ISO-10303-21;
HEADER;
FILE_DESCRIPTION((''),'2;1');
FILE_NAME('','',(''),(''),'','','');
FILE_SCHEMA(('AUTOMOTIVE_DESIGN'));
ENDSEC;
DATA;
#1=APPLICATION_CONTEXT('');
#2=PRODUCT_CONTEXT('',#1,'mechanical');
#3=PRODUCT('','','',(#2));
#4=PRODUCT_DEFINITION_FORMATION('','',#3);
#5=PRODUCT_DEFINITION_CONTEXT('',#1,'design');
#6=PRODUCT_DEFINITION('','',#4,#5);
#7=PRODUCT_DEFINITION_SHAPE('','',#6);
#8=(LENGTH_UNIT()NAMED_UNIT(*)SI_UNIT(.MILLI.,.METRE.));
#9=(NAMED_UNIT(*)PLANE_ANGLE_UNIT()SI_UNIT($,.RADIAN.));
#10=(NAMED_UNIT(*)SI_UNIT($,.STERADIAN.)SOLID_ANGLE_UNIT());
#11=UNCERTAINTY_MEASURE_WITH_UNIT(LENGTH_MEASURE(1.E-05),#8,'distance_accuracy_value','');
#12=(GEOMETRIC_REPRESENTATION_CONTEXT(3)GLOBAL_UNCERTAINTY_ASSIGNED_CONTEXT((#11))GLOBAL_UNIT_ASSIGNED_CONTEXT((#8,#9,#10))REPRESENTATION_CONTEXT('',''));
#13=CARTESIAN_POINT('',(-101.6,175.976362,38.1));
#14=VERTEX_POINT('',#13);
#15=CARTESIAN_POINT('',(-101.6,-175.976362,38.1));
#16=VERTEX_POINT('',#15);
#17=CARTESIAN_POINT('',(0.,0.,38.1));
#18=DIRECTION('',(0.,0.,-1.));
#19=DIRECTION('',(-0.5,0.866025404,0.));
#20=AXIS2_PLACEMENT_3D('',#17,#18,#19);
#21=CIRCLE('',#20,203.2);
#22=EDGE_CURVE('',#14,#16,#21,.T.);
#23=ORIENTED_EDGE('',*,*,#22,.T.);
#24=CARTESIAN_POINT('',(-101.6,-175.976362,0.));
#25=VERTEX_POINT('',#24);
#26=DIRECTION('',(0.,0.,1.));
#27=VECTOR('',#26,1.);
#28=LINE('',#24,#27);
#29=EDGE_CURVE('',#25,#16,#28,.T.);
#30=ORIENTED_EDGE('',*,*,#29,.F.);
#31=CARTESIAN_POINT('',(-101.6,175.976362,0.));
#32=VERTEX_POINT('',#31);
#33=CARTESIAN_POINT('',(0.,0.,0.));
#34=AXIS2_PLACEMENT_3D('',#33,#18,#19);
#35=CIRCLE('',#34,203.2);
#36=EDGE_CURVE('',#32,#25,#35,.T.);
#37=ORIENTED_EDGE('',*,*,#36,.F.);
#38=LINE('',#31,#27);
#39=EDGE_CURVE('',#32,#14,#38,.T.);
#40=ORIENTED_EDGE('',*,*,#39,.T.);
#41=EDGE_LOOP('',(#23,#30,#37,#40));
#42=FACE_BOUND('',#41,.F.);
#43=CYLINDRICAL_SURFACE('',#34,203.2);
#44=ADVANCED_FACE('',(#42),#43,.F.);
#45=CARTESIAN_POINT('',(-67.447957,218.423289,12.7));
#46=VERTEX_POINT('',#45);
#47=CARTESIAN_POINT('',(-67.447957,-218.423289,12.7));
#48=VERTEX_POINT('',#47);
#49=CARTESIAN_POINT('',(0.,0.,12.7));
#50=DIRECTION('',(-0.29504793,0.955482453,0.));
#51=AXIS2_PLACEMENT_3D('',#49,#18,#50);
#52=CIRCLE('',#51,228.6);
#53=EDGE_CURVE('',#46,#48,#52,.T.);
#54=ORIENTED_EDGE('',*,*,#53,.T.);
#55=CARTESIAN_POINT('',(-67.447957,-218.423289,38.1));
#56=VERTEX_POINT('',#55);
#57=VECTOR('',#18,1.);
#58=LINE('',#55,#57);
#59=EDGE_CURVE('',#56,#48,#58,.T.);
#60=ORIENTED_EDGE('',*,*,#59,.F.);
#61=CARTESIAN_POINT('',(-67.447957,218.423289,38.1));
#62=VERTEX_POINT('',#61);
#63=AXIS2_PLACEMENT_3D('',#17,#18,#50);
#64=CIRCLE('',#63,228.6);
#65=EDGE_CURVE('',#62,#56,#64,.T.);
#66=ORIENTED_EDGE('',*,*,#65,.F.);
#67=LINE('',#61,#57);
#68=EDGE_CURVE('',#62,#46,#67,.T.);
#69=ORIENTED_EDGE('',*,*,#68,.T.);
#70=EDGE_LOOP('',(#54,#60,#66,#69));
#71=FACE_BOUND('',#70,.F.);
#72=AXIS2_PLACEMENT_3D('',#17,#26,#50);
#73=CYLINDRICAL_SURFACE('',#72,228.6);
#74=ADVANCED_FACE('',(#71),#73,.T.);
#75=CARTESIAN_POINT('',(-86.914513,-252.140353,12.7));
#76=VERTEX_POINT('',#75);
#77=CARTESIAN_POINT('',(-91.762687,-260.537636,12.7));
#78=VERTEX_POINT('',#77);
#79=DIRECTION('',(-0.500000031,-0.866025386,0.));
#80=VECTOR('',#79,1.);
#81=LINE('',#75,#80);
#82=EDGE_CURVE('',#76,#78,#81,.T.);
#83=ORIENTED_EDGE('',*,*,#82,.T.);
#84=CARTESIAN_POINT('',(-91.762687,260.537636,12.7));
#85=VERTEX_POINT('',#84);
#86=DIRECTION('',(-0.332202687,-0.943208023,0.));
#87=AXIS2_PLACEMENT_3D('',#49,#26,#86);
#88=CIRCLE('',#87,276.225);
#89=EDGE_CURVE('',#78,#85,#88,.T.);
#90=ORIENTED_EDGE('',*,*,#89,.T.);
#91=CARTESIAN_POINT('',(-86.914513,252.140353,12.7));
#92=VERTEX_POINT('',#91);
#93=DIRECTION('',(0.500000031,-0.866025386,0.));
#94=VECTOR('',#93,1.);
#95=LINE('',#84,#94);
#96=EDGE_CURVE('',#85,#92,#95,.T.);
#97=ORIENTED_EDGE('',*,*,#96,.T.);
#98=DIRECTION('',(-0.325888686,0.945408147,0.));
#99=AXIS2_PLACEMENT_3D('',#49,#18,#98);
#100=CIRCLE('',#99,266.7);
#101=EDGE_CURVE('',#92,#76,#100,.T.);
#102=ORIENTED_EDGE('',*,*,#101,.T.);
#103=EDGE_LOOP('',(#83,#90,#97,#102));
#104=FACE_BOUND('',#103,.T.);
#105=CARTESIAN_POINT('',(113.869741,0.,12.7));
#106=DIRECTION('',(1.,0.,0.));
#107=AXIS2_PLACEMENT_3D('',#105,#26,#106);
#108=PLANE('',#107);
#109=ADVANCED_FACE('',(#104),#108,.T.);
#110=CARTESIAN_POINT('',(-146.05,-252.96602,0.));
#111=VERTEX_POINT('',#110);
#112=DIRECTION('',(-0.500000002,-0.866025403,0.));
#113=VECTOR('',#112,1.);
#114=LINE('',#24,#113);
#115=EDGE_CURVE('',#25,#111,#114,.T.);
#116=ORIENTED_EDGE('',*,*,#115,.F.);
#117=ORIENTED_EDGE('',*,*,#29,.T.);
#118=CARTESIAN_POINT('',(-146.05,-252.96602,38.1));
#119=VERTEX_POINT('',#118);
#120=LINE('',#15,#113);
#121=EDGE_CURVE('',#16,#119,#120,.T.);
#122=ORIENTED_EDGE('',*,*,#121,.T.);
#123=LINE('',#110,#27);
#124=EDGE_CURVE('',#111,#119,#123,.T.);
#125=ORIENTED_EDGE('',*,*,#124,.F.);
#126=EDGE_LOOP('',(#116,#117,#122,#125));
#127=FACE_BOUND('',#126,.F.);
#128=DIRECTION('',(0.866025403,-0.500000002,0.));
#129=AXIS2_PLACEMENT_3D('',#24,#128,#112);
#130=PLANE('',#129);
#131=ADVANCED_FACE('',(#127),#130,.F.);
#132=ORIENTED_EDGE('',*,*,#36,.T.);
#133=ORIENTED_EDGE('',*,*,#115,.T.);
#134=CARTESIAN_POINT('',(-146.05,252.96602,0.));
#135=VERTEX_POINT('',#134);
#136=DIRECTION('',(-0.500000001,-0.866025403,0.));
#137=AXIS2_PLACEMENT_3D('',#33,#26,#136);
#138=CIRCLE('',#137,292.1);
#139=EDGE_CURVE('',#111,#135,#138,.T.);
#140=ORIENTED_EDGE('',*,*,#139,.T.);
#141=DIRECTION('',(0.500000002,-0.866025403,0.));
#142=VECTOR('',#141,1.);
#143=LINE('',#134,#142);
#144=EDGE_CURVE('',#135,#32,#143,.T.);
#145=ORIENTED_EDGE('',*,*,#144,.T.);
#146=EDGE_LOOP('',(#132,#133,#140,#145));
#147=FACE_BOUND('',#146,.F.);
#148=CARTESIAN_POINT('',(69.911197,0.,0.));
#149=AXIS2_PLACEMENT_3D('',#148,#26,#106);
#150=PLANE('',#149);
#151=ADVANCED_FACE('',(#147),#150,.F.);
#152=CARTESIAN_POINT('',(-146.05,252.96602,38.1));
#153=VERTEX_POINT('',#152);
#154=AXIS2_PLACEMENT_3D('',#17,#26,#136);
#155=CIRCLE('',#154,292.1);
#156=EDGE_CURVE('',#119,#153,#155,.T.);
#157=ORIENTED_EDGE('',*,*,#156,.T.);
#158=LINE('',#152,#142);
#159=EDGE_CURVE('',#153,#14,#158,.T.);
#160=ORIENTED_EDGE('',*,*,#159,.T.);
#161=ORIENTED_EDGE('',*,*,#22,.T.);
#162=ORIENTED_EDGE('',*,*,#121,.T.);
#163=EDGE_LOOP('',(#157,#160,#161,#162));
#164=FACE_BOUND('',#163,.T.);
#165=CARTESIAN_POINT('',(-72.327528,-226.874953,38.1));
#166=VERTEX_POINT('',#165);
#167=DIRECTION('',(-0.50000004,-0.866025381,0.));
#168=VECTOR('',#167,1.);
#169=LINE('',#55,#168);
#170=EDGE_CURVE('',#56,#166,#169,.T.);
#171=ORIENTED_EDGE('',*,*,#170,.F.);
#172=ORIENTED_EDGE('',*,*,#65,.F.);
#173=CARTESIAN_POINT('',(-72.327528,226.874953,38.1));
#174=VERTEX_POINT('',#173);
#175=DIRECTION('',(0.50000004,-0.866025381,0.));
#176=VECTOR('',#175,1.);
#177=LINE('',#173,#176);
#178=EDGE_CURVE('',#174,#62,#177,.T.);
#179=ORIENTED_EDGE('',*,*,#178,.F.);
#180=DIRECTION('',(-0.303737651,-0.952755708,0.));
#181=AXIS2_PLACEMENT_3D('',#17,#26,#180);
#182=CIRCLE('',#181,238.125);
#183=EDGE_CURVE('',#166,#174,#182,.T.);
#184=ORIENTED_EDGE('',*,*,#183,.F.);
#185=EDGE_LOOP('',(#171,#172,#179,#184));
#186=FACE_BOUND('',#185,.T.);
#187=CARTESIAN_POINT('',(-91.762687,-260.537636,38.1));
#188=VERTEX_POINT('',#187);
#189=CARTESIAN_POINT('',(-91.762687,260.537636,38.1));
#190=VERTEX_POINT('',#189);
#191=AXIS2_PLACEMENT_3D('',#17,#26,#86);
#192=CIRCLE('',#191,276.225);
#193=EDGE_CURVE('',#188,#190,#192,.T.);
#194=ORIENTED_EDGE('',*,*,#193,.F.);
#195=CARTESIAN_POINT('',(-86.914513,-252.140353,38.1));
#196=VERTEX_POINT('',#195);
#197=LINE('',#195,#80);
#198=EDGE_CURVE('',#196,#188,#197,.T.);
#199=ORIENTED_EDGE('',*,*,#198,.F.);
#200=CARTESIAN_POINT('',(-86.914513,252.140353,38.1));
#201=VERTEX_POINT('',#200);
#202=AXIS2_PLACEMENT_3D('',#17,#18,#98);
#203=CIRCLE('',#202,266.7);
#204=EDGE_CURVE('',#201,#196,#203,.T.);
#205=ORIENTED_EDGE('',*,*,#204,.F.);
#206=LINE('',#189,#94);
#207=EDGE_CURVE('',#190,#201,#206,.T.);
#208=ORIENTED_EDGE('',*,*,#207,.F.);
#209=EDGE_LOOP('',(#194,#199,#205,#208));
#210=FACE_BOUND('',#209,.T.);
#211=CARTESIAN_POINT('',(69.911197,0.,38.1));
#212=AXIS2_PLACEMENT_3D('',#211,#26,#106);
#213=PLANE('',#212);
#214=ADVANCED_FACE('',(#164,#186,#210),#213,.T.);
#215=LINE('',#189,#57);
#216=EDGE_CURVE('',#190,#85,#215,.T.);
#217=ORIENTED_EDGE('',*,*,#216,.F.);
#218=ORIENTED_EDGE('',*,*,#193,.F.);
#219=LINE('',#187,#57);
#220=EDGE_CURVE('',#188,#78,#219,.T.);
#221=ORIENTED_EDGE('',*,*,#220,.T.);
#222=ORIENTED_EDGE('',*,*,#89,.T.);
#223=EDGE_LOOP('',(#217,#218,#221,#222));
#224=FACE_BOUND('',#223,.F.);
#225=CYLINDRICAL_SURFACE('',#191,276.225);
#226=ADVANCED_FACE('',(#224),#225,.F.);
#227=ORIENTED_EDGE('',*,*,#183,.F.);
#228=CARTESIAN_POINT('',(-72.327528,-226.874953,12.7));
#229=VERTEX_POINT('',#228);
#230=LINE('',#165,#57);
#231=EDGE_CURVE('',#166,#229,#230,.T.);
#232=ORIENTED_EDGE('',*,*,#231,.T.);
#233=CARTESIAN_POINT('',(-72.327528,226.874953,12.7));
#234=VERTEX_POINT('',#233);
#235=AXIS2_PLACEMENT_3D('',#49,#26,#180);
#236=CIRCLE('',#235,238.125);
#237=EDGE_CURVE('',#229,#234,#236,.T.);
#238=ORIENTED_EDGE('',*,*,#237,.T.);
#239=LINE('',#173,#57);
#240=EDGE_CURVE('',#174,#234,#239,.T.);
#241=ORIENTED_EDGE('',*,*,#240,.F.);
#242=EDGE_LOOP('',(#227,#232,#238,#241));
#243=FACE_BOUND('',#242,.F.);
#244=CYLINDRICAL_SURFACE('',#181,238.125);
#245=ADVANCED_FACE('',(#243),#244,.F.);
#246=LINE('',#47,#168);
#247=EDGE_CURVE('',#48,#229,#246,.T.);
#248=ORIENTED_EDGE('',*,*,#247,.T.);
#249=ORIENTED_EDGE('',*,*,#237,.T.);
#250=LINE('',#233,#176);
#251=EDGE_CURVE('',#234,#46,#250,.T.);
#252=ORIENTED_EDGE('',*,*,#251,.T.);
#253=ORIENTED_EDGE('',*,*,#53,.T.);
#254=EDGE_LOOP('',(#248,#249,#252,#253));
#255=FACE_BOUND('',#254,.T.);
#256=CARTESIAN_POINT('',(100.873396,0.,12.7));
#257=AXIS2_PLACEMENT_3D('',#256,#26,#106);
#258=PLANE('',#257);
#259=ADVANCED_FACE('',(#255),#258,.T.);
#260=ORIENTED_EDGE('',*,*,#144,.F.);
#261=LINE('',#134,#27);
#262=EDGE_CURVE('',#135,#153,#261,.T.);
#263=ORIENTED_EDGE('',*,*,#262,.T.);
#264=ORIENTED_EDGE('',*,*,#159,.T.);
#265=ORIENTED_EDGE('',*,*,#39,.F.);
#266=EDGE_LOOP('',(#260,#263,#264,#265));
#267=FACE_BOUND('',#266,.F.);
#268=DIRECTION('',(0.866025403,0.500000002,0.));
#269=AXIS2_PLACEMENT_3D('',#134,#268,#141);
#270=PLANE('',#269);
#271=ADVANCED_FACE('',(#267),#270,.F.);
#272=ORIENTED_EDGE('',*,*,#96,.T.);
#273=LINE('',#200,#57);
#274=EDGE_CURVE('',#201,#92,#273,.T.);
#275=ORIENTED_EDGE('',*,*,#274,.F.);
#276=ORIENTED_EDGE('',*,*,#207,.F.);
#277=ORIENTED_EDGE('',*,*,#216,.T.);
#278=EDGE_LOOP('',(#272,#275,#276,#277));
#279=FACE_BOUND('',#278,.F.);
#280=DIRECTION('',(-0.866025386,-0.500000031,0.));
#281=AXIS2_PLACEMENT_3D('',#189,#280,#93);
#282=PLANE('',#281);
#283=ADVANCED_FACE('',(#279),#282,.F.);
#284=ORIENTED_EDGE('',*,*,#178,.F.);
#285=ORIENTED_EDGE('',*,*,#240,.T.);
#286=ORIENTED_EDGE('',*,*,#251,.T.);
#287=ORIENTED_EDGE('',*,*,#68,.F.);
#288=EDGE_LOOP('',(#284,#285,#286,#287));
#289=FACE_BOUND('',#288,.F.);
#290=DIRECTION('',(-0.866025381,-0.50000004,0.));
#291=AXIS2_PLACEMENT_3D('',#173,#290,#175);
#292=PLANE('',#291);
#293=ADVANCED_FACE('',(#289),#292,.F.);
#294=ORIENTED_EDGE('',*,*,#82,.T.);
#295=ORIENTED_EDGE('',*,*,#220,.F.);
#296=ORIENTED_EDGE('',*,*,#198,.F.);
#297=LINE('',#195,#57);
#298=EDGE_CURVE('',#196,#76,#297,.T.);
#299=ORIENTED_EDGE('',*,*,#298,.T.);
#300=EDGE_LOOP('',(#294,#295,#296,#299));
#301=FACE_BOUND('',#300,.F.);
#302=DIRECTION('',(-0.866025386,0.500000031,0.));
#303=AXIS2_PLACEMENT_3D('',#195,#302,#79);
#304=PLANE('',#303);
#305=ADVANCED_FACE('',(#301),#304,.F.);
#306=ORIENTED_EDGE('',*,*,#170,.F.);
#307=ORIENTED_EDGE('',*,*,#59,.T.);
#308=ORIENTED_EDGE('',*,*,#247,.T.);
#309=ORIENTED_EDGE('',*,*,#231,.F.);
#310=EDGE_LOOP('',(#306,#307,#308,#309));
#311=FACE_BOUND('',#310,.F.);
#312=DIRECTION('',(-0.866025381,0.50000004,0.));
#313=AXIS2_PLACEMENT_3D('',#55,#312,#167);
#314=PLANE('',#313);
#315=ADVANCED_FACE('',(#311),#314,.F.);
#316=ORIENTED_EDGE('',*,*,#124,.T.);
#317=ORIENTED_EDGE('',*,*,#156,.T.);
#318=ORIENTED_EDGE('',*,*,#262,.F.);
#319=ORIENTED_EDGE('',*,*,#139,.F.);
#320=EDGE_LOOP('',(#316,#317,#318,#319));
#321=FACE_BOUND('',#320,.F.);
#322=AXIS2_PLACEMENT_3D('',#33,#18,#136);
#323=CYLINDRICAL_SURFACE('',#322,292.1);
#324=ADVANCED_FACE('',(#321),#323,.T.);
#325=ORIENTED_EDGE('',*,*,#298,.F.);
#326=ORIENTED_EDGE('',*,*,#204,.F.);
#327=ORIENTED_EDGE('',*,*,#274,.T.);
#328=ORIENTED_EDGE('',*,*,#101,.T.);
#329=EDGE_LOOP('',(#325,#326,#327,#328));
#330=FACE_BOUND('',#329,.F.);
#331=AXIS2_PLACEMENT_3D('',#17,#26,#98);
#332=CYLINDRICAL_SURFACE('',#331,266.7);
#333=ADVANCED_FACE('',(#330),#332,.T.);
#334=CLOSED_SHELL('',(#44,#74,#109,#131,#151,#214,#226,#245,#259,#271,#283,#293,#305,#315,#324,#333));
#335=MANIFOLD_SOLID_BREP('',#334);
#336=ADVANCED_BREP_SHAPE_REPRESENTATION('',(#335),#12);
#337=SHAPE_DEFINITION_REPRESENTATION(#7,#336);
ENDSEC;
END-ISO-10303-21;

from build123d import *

# Parameters (mm, degrees)
F1_DEPTH = 38.1
F3_DEPTH = 25.4


with BuildPart() as f1:
    # F0 (on Top) → F1 (new body)
    with BuildSketch(Plane.XY):
        with BuildLine():
            ThreePointArc((-101.6, 175.976362), (203.2, 0), (-101.6, -175.976362))
            Line((-101.6, -175.976362), (-146.05, -252.96602))
            ThreePointArc((-146.05, -252.96602), (292.1, 0), (-146.05, 252.96602))
            Line((-146.05, 252.96602), (-101.6, 175.976362))
        make_face()
    extrude(amount=F1_DEPTH)

    # F2 (on face) → F3 (cut)
    with BuildSketch(Plane.XY.offset(38.1)):
        with BuildLine():
            ThreePointArc((-67.447957, 218.423289), (228.6, 0), (-67.447957, -218.423289))
            Line((-67.447957, -218.423289), (-72.327528, -226.874953))
            ThreePointArc((-72.327528, -226.874953), (238.125, 0), (-72.327528, 226.874953))
            Line((-72.327528, 226.874953), (-67.447957, 218.423289))
        make_face()
        with BuildLine():
            ThreePointArc((-86.914513, 252.140353), (266.7, 0), (-86.914513, -252.140353))
            Line((-86.914513, -252.140353), (-91.762687, -260.537636))
            ThreePointArc((-91.762687, -260.537636), (276.225, 0), (-91.762687, 260.537636))
            Line((-91.762687, 260.537636), (-86.914513, 252.140353))
        make_face()
    extrude(amount=-F3_DEPTH, mode=Mode.SUBTRACT)


solid = f1.part
